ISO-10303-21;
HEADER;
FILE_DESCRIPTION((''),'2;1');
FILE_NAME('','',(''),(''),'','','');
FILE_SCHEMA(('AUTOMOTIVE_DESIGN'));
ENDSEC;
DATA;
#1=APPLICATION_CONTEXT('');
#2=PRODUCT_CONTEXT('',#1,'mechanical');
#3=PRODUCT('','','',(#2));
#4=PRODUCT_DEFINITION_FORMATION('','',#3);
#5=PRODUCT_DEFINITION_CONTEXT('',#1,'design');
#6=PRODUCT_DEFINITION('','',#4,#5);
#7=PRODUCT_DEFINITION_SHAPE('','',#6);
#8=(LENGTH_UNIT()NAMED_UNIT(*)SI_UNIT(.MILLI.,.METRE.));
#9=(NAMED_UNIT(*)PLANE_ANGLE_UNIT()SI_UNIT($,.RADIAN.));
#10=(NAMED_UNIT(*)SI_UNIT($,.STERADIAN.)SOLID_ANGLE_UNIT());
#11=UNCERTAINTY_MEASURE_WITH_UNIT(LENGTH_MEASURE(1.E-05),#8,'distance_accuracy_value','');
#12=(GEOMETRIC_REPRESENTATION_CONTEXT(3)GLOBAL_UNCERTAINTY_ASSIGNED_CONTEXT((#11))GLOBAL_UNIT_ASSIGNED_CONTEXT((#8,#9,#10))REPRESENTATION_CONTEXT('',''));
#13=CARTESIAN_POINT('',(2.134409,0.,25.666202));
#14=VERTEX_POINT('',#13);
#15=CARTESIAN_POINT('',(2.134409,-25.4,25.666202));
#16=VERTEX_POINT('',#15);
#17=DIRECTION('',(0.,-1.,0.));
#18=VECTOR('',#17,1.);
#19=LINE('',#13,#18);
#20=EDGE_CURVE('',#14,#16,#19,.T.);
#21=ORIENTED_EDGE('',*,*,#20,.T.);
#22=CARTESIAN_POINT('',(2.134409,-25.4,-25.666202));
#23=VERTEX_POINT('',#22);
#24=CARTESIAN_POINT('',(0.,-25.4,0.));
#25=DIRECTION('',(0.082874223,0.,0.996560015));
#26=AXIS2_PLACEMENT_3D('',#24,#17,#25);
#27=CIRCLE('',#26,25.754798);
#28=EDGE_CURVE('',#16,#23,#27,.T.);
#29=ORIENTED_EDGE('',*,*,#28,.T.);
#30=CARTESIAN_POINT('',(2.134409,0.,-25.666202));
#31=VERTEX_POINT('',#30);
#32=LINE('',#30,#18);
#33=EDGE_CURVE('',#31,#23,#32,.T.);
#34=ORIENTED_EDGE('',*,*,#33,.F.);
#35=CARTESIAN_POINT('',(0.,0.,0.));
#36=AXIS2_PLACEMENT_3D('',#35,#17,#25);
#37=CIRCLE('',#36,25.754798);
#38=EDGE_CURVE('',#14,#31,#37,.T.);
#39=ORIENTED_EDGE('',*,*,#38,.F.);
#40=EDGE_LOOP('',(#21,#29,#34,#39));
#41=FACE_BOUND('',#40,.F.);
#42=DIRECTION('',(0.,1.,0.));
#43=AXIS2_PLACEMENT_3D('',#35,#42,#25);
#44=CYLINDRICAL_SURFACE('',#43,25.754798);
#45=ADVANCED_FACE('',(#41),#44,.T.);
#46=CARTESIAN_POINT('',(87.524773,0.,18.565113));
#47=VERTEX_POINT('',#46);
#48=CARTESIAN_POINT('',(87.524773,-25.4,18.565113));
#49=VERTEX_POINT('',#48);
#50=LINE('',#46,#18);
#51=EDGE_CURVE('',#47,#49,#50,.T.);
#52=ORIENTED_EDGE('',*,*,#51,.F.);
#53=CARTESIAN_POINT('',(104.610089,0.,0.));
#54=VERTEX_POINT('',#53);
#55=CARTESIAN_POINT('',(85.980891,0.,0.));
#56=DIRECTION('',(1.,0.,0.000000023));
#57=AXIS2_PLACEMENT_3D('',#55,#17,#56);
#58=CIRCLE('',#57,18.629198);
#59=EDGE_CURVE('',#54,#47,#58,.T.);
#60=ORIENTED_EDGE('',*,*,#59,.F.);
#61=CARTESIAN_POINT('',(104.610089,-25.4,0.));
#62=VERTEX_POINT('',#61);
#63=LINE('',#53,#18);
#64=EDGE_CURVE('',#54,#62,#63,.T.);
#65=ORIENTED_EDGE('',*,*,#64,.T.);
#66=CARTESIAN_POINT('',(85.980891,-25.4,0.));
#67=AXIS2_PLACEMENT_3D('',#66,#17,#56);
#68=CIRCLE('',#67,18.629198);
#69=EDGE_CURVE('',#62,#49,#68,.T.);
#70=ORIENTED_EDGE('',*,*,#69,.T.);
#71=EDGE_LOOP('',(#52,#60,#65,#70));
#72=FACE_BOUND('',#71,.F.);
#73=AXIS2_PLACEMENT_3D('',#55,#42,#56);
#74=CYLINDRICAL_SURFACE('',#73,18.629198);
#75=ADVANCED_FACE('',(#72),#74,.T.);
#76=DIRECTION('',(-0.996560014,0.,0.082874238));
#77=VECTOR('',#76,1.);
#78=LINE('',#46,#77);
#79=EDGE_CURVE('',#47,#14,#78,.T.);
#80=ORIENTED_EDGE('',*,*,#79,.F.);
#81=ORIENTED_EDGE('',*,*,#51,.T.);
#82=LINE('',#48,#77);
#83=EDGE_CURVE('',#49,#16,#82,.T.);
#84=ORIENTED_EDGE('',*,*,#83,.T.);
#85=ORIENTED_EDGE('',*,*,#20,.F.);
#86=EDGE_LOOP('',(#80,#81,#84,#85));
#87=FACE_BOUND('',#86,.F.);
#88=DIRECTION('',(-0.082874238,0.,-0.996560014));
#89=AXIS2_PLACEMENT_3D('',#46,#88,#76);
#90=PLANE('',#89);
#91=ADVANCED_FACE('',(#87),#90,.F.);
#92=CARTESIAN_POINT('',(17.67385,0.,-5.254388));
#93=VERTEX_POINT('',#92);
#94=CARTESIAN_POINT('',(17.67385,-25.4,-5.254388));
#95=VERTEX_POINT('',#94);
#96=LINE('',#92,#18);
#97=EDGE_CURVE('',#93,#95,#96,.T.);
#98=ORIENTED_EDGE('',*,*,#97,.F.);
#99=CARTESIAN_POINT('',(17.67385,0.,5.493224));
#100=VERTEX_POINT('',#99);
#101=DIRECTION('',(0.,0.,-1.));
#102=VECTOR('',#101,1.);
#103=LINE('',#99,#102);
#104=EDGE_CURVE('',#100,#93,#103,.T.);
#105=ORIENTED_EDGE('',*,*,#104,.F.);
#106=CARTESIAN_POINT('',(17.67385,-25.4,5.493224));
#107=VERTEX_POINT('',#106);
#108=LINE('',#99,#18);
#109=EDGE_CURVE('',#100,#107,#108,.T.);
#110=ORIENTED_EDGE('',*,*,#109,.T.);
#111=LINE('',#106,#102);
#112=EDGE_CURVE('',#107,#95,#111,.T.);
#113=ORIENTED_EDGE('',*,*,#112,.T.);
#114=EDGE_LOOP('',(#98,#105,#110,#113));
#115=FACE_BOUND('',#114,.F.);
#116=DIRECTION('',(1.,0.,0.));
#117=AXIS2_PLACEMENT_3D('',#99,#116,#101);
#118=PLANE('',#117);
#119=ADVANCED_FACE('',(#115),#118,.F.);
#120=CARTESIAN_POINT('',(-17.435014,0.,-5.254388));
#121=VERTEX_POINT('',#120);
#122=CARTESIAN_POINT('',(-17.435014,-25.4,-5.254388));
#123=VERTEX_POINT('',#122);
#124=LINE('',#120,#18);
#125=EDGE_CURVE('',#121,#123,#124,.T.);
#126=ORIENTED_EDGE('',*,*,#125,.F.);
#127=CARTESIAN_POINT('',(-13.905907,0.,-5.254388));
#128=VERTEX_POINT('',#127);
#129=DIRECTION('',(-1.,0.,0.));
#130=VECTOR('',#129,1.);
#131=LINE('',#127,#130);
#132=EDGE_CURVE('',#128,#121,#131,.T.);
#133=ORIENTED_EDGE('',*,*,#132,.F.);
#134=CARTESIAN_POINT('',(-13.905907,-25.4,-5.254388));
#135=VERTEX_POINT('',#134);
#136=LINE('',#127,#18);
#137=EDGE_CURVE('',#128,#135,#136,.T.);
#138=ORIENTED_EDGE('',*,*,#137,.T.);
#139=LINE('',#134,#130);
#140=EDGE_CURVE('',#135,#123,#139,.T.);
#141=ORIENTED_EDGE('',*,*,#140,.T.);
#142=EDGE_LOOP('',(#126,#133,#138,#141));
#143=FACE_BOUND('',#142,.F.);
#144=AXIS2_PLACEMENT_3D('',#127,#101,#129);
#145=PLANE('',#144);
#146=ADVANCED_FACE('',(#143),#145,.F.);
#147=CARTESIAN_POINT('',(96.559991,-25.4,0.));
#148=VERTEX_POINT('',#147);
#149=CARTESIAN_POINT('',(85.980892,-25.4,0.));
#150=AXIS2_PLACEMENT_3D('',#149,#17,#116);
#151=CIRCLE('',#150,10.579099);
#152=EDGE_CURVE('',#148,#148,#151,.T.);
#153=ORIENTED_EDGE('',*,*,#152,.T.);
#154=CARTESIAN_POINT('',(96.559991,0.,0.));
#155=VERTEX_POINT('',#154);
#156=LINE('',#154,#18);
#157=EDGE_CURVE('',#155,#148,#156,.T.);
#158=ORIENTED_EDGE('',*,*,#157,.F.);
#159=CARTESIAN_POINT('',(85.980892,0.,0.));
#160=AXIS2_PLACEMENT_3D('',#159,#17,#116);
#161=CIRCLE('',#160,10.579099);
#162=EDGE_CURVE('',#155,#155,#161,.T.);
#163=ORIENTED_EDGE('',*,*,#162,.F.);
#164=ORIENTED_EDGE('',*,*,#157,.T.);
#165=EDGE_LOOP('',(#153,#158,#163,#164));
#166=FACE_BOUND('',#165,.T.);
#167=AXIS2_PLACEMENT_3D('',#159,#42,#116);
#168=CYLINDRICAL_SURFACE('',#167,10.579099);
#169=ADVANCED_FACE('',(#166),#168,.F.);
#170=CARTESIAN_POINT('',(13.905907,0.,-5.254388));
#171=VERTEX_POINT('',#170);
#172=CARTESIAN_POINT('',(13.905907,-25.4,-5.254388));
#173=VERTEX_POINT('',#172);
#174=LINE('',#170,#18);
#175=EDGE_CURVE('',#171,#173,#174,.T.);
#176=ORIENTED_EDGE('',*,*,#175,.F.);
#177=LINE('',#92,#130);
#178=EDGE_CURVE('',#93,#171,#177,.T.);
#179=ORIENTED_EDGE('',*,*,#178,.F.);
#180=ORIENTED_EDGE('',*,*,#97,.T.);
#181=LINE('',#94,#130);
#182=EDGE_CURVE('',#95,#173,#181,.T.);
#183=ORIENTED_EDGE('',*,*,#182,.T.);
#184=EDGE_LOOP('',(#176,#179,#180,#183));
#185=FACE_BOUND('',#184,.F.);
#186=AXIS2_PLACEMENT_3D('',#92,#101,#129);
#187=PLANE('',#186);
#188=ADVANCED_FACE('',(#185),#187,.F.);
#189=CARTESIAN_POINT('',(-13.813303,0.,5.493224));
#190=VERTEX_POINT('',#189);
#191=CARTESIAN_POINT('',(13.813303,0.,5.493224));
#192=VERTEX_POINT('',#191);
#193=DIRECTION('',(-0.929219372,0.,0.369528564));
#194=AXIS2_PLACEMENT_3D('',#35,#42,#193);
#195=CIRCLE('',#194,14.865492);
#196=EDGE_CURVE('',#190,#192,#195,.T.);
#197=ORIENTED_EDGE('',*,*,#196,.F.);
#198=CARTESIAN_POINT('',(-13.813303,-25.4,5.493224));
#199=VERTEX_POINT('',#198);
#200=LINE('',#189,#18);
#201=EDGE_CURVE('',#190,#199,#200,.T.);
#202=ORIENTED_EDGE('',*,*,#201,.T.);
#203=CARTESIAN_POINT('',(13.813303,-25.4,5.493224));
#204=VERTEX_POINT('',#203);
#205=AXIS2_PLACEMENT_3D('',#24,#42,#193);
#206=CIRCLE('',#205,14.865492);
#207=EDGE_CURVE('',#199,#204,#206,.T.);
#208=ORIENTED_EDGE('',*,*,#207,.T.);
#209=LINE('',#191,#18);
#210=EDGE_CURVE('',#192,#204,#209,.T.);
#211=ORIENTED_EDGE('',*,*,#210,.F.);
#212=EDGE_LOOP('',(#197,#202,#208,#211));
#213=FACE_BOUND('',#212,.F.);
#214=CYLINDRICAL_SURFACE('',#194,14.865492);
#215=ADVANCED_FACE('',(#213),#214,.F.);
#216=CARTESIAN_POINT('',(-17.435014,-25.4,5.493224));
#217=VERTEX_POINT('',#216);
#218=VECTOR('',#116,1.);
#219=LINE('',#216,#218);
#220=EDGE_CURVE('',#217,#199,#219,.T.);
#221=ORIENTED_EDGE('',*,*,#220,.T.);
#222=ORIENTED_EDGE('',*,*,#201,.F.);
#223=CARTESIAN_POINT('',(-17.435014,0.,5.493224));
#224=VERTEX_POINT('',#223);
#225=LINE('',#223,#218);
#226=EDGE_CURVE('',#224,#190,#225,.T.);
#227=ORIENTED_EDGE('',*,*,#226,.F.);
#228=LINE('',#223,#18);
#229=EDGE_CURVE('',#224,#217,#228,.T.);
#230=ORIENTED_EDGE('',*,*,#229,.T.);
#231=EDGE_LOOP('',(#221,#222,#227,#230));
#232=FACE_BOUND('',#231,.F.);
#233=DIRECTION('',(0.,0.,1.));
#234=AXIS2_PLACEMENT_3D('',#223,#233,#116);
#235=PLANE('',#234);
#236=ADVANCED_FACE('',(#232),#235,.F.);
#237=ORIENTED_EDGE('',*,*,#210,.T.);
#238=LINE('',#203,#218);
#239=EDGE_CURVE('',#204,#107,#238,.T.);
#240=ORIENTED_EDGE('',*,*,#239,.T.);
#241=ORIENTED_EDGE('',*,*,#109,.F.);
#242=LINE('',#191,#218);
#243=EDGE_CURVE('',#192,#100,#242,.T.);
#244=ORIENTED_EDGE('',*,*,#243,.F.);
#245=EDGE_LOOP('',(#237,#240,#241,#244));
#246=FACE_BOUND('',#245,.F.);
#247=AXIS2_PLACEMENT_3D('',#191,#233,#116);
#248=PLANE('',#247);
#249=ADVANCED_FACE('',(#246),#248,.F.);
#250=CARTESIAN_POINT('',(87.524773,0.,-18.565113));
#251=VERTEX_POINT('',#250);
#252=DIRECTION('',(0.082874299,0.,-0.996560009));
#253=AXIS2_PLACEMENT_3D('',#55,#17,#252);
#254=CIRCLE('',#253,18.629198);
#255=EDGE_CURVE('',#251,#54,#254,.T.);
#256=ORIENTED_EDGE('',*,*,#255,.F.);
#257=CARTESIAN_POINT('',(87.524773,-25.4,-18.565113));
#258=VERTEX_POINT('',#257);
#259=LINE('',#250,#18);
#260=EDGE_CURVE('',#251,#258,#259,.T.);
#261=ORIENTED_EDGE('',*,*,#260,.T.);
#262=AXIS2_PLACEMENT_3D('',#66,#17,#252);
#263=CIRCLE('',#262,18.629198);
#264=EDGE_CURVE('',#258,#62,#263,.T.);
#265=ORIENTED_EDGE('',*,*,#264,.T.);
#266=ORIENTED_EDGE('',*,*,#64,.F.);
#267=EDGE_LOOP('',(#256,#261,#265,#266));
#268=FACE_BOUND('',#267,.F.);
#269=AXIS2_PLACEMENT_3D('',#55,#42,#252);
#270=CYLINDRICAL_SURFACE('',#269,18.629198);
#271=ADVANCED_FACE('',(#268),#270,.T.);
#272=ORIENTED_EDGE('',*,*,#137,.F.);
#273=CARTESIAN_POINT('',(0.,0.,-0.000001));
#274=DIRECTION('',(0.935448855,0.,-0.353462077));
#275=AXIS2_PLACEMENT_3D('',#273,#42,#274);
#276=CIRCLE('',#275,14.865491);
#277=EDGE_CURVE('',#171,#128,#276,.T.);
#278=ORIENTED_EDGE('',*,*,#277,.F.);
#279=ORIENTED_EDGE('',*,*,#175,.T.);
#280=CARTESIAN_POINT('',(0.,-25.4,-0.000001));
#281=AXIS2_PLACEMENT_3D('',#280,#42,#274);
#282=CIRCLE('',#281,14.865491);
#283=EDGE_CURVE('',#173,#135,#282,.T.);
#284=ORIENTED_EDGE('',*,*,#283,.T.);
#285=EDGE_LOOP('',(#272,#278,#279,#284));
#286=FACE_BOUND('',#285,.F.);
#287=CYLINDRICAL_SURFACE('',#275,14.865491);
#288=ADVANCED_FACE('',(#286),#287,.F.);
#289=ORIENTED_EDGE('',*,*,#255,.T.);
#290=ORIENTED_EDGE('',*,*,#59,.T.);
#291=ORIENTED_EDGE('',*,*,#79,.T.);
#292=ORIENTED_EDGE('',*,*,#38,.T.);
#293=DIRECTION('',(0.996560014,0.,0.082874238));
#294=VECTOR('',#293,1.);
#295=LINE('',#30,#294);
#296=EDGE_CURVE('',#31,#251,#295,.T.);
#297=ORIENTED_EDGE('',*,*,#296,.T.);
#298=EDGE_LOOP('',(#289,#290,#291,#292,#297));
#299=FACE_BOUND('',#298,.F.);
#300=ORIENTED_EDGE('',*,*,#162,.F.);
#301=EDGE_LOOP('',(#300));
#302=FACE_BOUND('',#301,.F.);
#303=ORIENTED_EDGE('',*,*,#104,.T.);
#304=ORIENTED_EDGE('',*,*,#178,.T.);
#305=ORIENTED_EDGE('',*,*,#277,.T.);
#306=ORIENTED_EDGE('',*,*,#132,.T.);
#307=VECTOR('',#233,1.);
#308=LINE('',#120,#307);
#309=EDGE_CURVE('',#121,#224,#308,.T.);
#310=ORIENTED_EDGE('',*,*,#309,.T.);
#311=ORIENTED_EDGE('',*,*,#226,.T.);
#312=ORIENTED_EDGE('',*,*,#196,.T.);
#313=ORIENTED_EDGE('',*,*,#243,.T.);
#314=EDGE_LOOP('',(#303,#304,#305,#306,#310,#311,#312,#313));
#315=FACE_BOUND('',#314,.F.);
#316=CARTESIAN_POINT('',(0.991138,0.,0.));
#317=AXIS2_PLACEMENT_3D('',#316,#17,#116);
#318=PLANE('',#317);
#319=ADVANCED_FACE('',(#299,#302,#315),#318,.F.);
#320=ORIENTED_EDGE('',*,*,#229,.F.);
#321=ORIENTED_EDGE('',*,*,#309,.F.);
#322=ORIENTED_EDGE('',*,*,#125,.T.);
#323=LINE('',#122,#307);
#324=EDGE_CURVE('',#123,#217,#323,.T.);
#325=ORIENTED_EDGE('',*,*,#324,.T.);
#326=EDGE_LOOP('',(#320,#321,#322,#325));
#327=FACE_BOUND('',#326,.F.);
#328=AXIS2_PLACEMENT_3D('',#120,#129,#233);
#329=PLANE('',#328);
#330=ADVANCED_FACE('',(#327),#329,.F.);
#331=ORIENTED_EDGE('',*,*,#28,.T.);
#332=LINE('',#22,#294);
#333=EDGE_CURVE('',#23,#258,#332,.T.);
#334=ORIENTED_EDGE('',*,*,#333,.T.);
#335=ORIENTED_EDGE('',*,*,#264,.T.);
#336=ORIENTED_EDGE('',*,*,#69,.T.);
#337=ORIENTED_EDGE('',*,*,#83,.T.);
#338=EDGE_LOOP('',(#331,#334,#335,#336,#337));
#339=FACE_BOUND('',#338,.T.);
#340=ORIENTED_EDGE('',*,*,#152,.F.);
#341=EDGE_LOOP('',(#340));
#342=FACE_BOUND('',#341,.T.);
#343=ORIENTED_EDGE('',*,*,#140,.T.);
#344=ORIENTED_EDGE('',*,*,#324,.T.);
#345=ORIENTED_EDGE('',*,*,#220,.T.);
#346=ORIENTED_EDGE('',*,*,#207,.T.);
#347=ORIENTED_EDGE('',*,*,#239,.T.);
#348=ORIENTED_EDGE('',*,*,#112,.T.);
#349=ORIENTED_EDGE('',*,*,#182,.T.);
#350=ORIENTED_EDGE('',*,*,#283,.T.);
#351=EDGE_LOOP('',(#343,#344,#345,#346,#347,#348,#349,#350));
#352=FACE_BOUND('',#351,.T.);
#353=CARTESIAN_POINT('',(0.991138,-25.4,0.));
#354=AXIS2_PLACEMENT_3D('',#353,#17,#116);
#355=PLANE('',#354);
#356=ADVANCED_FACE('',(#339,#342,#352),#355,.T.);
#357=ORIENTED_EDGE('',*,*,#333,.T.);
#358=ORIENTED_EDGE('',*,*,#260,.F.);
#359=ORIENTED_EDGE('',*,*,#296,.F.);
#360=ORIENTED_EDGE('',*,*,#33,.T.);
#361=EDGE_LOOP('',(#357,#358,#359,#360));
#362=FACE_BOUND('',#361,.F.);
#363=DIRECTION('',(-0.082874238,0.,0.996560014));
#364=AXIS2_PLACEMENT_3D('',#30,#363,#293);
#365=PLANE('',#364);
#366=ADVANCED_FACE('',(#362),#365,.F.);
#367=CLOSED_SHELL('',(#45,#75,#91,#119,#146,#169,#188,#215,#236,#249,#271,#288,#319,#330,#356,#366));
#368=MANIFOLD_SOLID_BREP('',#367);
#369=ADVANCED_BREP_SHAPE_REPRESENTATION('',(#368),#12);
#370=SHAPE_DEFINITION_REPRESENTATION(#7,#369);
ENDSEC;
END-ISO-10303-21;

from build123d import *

# Parameters (mm, degrees)
F0_R     = 10.579099
F1_DEPTH = 25.4


with BuildPart() as f1:
    # F0 (on Front) → F1 (new body)
    with BuildSketch(Plane.XZ):
        with BuildLine():
            ThreePointArc((2.134409, -25.666202), (18.951001, -17.440446), (25.754798, 0))
            ThreePointArc((25.754798, 0), (18.951001, 17.440446), (2.134409, 25.666202))
            ThreePointArc((2.134409, 25.666202), (-25.754798, 0), (2.134409, -25.666202))
        make_face()
        with BuildLine():
            ThreePointArc((-13.813303, 5.493224), (0, 14.865492), (13.813303, 5.493224))
            Line((13.813303, 5.493224), (17.67385, 5.493224))
            Line((17.67385, 5.493224), (17.67385, -5.254388))
            Line((17.67385, -5.254388), (13.905907, -5.254388))
            ThreePointArc((13.905907, -5.254388), (0, -14.865492), (-13.905907, -5.254388))
            Line((-13.905907, -5.254388), (-17.435014, -5.254388))
            Line((-17.435014, -5.254388), (-17.435014, 5.493224))
            Line((-17.435014, 5.493224), (-13.813303, 5.493224))
        make_face(mode=Mode.SUBTRACT)
        with BuildLine():
            ThreePointArc((2.134409, 25.666202), (18.951001, 17.440446), (25.754798, 0))
            ThreePointArc((25.754798, 0), (18.951001, -17.440446), (2.134409, -25.666202))
            Line((2.134409, -25.666202), (87.524773, -18.565113))
            ThreePointArc((87.524773, -18.565113), (67.351695, 0), (87.524773, 18.565113))
            Line((87.524773, 18.565113), (2.134409, 25.666202))
        make_face()
        with BuildLine():
            ThreePointArc((104.610089, 0), (99.688704, 12.615184), (87.524773, 18.565113))
            ThreePointArc((87.524773, 18.565113), (67.351695, 0), (87.524773, -18.565113))
            ThreePointArc((87.524773, -18.565113), (99.688704, -12.615184), (104.610089, 0))
        make_face()
        with Locations((85.980892, 0)):
            Circle(F0_R, mode=Mode.SUBTRACT)
    extrude(amount=F1_DEPTH)


solid = f1.part
